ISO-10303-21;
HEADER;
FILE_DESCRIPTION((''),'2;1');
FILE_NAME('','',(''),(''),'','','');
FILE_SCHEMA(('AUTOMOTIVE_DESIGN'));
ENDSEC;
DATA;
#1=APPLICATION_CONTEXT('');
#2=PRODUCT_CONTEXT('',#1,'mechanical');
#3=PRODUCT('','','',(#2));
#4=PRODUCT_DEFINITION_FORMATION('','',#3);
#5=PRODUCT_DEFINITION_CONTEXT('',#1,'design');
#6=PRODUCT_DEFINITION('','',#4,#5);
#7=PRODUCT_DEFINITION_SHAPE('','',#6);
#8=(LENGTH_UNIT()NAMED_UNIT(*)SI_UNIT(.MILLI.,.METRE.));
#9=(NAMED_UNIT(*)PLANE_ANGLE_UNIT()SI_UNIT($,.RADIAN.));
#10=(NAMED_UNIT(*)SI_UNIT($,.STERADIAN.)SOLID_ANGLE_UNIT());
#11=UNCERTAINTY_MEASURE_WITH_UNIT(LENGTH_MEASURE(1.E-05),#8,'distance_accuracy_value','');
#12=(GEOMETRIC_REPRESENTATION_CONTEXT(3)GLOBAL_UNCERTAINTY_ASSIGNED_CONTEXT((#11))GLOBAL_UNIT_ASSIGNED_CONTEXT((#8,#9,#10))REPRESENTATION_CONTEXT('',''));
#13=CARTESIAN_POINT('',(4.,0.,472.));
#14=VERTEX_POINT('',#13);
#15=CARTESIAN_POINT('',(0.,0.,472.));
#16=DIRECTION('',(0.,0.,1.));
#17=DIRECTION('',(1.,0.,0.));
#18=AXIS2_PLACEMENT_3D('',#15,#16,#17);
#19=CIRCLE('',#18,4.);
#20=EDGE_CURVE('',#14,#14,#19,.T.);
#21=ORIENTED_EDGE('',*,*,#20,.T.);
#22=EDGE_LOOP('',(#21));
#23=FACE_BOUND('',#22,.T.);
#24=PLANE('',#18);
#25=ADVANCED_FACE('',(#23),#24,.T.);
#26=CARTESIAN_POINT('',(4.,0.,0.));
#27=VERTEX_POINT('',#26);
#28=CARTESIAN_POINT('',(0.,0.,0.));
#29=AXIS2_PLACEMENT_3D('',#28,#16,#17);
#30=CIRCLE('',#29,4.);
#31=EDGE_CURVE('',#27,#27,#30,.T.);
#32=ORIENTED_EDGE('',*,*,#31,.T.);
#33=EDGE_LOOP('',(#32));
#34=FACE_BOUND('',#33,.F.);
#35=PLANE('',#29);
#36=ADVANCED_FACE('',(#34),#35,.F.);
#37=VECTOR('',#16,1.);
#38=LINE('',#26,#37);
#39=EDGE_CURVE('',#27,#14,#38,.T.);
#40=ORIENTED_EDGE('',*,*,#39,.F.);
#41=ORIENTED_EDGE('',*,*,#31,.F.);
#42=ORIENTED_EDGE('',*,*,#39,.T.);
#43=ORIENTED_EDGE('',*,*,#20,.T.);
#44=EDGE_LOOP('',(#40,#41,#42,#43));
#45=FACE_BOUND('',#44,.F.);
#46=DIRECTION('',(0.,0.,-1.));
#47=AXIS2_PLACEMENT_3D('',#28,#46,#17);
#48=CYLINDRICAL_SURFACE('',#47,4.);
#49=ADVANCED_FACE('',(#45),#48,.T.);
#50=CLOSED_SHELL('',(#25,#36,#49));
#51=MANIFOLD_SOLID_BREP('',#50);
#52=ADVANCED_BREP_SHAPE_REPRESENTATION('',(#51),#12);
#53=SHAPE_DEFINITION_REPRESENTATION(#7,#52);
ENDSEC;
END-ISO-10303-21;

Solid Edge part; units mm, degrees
sketch "Sketch1" plane through (0, 0, 0) normal (0, 0, 1) x (1, 0, 0)
  circle A0 centre (0, 0) radius 4
  dimension "D1" = 8
extrude "Protrusion1" add sketch "Sketch1" along normal blind 472
properties material "Stainless steel"
